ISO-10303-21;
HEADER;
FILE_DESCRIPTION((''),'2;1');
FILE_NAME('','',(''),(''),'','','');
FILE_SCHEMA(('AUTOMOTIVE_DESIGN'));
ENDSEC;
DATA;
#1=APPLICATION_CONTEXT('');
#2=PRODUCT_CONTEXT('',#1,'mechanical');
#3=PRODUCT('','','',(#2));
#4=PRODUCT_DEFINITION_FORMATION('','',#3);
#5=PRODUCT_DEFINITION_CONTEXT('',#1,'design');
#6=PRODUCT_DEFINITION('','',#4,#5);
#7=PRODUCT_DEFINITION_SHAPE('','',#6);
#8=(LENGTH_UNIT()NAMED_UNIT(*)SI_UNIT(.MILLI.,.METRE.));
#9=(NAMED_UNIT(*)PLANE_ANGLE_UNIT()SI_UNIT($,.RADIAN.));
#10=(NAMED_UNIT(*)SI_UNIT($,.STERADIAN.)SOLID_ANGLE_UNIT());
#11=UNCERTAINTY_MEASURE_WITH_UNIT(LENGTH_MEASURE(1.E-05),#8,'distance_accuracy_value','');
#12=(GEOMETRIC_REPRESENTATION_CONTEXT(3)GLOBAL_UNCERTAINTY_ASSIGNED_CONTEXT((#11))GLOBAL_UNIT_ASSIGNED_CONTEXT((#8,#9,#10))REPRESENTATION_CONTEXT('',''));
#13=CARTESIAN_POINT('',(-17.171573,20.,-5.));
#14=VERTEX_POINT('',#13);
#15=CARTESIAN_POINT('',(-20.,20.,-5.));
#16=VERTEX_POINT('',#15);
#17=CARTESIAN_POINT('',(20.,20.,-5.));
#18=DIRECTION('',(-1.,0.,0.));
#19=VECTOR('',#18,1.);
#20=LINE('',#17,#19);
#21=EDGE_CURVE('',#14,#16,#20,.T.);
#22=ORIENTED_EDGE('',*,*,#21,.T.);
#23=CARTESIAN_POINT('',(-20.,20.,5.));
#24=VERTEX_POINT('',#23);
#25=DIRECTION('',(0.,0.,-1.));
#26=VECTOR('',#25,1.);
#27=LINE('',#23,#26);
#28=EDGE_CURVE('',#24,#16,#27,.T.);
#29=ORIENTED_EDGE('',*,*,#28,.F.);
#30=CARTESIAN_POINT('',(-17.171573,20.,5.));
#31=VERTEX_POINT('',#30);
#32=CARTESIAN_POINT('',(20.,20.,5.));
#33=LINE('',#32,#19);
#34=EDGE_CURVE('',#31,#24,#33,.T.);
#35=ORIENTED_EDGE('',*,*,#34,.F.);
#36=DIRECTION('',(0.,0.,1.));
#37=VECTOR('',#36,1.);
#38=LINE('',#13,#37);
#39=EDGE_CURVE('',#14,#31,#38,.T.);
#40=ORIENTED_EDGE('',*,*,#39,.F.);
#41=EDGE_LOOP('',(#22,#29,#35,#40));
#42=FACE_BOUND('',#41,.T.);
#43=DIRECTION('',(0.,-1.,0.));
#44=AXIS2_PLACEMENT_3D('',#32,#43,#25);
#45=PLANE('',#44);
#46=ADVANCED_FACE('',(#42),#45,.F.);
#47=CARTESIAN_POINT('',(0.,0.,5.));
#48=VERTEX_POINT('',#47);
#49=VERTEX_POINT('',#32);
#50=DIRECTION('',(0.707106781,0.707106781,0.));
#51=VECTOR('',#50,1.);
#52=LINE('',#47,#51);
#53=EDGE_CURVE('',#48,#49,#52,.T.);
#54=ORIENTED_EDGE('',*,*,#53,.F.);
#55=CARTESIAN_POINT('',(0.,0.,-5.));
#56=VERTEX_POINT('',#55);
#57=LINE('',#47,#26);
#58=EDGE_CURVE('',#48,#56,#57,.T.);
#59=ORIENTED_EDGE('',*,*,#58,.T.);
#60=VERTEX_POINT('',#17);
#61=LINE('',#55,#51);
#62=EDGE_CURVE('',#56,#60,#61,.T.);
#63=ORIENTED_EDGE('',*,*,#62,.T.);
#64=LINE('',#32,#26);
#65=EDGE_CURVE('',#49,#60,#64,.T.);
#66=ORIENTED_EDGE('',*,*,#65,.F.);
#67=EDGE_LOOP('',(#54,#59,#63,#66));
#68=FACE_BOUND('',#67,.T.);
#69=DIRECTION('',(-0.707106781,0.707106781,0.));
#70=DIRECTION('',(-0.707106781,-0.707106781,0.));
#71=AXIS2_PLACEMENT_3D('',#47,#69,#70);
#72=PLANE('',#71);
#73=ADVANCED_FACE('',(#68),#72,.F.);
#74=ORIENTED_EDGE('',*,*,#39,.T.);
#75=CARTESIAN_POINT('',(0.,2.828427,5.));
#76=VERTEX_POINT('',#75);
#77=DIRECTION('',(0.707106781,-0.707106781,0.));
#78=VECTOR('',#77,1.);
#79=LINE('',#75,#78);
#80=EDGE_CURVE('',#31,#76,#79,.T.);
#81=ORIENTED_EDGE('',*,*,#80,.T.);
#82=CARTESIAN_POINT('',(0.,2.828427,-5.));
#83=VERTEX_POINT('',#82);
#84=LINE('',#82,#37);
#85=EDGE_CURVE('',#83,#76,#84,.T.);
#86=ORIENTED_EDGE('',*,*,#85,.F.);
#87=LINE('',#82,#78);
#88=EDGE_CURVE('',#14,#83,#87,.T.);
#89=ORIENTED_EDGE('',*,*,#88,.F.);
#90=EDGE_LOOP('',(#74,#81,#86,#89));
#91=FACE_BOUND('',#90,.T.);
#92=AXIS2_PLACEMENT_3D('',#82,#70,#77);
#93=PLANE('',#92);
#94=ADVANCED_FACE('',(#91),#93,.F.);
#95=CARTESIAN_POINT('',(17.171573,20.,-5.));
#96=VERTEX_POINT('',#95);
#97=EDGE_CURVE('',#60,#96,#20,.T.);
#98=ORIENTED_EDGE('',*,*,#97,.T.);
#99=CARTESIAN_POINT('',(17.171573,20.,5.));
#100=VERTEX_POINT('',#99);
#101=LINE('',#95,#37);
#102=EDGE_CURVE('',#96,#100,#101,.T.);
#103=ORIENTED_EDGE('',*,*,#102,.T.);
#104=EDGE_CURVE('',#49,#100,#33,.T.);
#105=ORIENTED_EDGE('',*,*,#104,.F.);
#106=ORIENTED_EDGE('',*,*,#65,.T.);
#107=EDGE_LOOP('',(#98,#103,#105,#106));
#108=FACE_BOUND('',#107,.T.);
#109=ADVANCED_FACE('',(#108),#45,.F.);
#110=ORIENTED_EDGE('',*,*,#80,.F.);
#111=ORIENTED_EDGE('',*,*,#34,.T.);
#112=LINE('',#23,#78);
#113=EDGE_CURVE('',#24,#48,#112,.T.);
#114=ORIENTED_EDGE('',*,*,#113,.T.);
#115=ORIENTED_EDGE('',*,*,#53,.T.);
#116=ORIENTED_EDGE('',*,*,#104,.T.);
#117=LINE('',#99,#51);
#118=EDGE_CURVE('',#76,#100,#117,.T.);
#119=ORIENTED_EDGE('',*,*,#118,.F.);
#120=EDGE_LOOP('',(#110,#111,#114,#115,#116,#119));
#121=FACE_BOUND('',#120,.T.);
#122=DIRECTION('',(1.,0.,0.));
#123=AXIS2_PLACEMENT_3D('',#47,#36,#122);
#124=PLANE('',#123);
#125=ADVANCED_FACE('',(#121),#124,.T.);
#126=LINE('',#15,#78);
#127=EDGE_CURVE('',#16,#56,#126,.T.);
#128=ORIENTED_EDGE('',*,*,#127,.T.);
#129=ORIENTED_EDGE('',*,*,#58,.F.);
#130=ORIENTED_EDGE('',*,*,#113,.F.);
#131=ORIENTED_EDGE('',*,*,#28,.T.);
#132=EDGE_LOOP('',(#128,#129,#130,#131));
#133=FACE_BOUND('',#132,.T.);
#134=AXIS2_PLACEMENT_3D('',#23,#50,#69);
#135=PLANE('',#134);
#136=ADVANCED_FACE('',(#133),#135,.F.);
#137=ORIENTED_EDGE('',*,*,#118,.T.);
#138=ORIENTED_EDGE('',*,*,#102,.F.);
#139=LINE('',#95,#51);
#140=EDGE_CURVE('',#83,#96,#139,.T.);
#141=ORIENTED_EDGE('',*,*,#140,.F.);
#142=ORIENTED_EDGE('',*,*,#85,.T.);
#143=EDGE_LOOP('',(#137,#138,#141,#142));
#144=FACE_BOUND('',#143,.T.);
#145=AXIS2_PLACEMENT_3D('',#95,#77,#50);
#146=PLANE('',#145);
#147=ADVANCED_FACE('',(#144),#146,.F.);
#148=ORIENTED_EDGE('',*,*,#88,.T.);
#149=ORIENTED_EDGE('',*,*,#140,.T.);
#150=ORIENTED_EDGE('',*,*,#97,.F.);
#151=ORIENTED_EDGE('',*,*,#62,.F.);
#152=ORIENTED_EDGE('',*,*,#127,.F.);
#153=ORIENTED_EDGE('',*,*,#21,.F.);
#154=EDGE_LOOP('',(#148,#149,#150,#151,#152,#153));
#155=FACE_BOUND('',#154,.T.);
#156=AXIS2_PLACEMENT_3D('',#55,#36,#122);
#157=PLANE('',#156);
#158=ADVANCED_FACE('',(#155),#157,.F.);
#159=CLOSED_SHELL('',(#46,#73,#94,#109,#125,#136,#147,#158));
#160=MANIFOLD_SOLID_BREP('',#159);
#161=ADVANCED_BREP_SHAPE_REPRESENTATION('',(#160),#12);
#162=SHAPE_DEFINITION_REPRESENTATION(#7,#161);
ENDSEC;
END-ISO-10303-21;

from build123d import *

# Parameters (mm, degrees)
BOSS_EXTRUDE1_DEPTH = 5
CUT_EXTRUDE1_DEPTH  = 10


with BuildPart() as part:
    # Sketch1 → Boss-Extrude1 (new, symmetric)
    with BuildSketch(Plane.XY):
        Polygon((0, 0), (20, 20), (-20, 20), align=None)
    extrude(amount=BOSS_EXTRUDE1_DEPTH, both=True)

    # Sketch2 → Cut-Extrude1 (cut)
    with BuildSketch(Plane.XY.offset(5)):
        Polygon((0, 2.828427125), (-17.171572875, 20), (17.171572875, 20), align=None)
    extrude(amount=-CUT_EXTRUDE1_DEPTH, mode=Mode.SUBTRACT)


solid = part.part
